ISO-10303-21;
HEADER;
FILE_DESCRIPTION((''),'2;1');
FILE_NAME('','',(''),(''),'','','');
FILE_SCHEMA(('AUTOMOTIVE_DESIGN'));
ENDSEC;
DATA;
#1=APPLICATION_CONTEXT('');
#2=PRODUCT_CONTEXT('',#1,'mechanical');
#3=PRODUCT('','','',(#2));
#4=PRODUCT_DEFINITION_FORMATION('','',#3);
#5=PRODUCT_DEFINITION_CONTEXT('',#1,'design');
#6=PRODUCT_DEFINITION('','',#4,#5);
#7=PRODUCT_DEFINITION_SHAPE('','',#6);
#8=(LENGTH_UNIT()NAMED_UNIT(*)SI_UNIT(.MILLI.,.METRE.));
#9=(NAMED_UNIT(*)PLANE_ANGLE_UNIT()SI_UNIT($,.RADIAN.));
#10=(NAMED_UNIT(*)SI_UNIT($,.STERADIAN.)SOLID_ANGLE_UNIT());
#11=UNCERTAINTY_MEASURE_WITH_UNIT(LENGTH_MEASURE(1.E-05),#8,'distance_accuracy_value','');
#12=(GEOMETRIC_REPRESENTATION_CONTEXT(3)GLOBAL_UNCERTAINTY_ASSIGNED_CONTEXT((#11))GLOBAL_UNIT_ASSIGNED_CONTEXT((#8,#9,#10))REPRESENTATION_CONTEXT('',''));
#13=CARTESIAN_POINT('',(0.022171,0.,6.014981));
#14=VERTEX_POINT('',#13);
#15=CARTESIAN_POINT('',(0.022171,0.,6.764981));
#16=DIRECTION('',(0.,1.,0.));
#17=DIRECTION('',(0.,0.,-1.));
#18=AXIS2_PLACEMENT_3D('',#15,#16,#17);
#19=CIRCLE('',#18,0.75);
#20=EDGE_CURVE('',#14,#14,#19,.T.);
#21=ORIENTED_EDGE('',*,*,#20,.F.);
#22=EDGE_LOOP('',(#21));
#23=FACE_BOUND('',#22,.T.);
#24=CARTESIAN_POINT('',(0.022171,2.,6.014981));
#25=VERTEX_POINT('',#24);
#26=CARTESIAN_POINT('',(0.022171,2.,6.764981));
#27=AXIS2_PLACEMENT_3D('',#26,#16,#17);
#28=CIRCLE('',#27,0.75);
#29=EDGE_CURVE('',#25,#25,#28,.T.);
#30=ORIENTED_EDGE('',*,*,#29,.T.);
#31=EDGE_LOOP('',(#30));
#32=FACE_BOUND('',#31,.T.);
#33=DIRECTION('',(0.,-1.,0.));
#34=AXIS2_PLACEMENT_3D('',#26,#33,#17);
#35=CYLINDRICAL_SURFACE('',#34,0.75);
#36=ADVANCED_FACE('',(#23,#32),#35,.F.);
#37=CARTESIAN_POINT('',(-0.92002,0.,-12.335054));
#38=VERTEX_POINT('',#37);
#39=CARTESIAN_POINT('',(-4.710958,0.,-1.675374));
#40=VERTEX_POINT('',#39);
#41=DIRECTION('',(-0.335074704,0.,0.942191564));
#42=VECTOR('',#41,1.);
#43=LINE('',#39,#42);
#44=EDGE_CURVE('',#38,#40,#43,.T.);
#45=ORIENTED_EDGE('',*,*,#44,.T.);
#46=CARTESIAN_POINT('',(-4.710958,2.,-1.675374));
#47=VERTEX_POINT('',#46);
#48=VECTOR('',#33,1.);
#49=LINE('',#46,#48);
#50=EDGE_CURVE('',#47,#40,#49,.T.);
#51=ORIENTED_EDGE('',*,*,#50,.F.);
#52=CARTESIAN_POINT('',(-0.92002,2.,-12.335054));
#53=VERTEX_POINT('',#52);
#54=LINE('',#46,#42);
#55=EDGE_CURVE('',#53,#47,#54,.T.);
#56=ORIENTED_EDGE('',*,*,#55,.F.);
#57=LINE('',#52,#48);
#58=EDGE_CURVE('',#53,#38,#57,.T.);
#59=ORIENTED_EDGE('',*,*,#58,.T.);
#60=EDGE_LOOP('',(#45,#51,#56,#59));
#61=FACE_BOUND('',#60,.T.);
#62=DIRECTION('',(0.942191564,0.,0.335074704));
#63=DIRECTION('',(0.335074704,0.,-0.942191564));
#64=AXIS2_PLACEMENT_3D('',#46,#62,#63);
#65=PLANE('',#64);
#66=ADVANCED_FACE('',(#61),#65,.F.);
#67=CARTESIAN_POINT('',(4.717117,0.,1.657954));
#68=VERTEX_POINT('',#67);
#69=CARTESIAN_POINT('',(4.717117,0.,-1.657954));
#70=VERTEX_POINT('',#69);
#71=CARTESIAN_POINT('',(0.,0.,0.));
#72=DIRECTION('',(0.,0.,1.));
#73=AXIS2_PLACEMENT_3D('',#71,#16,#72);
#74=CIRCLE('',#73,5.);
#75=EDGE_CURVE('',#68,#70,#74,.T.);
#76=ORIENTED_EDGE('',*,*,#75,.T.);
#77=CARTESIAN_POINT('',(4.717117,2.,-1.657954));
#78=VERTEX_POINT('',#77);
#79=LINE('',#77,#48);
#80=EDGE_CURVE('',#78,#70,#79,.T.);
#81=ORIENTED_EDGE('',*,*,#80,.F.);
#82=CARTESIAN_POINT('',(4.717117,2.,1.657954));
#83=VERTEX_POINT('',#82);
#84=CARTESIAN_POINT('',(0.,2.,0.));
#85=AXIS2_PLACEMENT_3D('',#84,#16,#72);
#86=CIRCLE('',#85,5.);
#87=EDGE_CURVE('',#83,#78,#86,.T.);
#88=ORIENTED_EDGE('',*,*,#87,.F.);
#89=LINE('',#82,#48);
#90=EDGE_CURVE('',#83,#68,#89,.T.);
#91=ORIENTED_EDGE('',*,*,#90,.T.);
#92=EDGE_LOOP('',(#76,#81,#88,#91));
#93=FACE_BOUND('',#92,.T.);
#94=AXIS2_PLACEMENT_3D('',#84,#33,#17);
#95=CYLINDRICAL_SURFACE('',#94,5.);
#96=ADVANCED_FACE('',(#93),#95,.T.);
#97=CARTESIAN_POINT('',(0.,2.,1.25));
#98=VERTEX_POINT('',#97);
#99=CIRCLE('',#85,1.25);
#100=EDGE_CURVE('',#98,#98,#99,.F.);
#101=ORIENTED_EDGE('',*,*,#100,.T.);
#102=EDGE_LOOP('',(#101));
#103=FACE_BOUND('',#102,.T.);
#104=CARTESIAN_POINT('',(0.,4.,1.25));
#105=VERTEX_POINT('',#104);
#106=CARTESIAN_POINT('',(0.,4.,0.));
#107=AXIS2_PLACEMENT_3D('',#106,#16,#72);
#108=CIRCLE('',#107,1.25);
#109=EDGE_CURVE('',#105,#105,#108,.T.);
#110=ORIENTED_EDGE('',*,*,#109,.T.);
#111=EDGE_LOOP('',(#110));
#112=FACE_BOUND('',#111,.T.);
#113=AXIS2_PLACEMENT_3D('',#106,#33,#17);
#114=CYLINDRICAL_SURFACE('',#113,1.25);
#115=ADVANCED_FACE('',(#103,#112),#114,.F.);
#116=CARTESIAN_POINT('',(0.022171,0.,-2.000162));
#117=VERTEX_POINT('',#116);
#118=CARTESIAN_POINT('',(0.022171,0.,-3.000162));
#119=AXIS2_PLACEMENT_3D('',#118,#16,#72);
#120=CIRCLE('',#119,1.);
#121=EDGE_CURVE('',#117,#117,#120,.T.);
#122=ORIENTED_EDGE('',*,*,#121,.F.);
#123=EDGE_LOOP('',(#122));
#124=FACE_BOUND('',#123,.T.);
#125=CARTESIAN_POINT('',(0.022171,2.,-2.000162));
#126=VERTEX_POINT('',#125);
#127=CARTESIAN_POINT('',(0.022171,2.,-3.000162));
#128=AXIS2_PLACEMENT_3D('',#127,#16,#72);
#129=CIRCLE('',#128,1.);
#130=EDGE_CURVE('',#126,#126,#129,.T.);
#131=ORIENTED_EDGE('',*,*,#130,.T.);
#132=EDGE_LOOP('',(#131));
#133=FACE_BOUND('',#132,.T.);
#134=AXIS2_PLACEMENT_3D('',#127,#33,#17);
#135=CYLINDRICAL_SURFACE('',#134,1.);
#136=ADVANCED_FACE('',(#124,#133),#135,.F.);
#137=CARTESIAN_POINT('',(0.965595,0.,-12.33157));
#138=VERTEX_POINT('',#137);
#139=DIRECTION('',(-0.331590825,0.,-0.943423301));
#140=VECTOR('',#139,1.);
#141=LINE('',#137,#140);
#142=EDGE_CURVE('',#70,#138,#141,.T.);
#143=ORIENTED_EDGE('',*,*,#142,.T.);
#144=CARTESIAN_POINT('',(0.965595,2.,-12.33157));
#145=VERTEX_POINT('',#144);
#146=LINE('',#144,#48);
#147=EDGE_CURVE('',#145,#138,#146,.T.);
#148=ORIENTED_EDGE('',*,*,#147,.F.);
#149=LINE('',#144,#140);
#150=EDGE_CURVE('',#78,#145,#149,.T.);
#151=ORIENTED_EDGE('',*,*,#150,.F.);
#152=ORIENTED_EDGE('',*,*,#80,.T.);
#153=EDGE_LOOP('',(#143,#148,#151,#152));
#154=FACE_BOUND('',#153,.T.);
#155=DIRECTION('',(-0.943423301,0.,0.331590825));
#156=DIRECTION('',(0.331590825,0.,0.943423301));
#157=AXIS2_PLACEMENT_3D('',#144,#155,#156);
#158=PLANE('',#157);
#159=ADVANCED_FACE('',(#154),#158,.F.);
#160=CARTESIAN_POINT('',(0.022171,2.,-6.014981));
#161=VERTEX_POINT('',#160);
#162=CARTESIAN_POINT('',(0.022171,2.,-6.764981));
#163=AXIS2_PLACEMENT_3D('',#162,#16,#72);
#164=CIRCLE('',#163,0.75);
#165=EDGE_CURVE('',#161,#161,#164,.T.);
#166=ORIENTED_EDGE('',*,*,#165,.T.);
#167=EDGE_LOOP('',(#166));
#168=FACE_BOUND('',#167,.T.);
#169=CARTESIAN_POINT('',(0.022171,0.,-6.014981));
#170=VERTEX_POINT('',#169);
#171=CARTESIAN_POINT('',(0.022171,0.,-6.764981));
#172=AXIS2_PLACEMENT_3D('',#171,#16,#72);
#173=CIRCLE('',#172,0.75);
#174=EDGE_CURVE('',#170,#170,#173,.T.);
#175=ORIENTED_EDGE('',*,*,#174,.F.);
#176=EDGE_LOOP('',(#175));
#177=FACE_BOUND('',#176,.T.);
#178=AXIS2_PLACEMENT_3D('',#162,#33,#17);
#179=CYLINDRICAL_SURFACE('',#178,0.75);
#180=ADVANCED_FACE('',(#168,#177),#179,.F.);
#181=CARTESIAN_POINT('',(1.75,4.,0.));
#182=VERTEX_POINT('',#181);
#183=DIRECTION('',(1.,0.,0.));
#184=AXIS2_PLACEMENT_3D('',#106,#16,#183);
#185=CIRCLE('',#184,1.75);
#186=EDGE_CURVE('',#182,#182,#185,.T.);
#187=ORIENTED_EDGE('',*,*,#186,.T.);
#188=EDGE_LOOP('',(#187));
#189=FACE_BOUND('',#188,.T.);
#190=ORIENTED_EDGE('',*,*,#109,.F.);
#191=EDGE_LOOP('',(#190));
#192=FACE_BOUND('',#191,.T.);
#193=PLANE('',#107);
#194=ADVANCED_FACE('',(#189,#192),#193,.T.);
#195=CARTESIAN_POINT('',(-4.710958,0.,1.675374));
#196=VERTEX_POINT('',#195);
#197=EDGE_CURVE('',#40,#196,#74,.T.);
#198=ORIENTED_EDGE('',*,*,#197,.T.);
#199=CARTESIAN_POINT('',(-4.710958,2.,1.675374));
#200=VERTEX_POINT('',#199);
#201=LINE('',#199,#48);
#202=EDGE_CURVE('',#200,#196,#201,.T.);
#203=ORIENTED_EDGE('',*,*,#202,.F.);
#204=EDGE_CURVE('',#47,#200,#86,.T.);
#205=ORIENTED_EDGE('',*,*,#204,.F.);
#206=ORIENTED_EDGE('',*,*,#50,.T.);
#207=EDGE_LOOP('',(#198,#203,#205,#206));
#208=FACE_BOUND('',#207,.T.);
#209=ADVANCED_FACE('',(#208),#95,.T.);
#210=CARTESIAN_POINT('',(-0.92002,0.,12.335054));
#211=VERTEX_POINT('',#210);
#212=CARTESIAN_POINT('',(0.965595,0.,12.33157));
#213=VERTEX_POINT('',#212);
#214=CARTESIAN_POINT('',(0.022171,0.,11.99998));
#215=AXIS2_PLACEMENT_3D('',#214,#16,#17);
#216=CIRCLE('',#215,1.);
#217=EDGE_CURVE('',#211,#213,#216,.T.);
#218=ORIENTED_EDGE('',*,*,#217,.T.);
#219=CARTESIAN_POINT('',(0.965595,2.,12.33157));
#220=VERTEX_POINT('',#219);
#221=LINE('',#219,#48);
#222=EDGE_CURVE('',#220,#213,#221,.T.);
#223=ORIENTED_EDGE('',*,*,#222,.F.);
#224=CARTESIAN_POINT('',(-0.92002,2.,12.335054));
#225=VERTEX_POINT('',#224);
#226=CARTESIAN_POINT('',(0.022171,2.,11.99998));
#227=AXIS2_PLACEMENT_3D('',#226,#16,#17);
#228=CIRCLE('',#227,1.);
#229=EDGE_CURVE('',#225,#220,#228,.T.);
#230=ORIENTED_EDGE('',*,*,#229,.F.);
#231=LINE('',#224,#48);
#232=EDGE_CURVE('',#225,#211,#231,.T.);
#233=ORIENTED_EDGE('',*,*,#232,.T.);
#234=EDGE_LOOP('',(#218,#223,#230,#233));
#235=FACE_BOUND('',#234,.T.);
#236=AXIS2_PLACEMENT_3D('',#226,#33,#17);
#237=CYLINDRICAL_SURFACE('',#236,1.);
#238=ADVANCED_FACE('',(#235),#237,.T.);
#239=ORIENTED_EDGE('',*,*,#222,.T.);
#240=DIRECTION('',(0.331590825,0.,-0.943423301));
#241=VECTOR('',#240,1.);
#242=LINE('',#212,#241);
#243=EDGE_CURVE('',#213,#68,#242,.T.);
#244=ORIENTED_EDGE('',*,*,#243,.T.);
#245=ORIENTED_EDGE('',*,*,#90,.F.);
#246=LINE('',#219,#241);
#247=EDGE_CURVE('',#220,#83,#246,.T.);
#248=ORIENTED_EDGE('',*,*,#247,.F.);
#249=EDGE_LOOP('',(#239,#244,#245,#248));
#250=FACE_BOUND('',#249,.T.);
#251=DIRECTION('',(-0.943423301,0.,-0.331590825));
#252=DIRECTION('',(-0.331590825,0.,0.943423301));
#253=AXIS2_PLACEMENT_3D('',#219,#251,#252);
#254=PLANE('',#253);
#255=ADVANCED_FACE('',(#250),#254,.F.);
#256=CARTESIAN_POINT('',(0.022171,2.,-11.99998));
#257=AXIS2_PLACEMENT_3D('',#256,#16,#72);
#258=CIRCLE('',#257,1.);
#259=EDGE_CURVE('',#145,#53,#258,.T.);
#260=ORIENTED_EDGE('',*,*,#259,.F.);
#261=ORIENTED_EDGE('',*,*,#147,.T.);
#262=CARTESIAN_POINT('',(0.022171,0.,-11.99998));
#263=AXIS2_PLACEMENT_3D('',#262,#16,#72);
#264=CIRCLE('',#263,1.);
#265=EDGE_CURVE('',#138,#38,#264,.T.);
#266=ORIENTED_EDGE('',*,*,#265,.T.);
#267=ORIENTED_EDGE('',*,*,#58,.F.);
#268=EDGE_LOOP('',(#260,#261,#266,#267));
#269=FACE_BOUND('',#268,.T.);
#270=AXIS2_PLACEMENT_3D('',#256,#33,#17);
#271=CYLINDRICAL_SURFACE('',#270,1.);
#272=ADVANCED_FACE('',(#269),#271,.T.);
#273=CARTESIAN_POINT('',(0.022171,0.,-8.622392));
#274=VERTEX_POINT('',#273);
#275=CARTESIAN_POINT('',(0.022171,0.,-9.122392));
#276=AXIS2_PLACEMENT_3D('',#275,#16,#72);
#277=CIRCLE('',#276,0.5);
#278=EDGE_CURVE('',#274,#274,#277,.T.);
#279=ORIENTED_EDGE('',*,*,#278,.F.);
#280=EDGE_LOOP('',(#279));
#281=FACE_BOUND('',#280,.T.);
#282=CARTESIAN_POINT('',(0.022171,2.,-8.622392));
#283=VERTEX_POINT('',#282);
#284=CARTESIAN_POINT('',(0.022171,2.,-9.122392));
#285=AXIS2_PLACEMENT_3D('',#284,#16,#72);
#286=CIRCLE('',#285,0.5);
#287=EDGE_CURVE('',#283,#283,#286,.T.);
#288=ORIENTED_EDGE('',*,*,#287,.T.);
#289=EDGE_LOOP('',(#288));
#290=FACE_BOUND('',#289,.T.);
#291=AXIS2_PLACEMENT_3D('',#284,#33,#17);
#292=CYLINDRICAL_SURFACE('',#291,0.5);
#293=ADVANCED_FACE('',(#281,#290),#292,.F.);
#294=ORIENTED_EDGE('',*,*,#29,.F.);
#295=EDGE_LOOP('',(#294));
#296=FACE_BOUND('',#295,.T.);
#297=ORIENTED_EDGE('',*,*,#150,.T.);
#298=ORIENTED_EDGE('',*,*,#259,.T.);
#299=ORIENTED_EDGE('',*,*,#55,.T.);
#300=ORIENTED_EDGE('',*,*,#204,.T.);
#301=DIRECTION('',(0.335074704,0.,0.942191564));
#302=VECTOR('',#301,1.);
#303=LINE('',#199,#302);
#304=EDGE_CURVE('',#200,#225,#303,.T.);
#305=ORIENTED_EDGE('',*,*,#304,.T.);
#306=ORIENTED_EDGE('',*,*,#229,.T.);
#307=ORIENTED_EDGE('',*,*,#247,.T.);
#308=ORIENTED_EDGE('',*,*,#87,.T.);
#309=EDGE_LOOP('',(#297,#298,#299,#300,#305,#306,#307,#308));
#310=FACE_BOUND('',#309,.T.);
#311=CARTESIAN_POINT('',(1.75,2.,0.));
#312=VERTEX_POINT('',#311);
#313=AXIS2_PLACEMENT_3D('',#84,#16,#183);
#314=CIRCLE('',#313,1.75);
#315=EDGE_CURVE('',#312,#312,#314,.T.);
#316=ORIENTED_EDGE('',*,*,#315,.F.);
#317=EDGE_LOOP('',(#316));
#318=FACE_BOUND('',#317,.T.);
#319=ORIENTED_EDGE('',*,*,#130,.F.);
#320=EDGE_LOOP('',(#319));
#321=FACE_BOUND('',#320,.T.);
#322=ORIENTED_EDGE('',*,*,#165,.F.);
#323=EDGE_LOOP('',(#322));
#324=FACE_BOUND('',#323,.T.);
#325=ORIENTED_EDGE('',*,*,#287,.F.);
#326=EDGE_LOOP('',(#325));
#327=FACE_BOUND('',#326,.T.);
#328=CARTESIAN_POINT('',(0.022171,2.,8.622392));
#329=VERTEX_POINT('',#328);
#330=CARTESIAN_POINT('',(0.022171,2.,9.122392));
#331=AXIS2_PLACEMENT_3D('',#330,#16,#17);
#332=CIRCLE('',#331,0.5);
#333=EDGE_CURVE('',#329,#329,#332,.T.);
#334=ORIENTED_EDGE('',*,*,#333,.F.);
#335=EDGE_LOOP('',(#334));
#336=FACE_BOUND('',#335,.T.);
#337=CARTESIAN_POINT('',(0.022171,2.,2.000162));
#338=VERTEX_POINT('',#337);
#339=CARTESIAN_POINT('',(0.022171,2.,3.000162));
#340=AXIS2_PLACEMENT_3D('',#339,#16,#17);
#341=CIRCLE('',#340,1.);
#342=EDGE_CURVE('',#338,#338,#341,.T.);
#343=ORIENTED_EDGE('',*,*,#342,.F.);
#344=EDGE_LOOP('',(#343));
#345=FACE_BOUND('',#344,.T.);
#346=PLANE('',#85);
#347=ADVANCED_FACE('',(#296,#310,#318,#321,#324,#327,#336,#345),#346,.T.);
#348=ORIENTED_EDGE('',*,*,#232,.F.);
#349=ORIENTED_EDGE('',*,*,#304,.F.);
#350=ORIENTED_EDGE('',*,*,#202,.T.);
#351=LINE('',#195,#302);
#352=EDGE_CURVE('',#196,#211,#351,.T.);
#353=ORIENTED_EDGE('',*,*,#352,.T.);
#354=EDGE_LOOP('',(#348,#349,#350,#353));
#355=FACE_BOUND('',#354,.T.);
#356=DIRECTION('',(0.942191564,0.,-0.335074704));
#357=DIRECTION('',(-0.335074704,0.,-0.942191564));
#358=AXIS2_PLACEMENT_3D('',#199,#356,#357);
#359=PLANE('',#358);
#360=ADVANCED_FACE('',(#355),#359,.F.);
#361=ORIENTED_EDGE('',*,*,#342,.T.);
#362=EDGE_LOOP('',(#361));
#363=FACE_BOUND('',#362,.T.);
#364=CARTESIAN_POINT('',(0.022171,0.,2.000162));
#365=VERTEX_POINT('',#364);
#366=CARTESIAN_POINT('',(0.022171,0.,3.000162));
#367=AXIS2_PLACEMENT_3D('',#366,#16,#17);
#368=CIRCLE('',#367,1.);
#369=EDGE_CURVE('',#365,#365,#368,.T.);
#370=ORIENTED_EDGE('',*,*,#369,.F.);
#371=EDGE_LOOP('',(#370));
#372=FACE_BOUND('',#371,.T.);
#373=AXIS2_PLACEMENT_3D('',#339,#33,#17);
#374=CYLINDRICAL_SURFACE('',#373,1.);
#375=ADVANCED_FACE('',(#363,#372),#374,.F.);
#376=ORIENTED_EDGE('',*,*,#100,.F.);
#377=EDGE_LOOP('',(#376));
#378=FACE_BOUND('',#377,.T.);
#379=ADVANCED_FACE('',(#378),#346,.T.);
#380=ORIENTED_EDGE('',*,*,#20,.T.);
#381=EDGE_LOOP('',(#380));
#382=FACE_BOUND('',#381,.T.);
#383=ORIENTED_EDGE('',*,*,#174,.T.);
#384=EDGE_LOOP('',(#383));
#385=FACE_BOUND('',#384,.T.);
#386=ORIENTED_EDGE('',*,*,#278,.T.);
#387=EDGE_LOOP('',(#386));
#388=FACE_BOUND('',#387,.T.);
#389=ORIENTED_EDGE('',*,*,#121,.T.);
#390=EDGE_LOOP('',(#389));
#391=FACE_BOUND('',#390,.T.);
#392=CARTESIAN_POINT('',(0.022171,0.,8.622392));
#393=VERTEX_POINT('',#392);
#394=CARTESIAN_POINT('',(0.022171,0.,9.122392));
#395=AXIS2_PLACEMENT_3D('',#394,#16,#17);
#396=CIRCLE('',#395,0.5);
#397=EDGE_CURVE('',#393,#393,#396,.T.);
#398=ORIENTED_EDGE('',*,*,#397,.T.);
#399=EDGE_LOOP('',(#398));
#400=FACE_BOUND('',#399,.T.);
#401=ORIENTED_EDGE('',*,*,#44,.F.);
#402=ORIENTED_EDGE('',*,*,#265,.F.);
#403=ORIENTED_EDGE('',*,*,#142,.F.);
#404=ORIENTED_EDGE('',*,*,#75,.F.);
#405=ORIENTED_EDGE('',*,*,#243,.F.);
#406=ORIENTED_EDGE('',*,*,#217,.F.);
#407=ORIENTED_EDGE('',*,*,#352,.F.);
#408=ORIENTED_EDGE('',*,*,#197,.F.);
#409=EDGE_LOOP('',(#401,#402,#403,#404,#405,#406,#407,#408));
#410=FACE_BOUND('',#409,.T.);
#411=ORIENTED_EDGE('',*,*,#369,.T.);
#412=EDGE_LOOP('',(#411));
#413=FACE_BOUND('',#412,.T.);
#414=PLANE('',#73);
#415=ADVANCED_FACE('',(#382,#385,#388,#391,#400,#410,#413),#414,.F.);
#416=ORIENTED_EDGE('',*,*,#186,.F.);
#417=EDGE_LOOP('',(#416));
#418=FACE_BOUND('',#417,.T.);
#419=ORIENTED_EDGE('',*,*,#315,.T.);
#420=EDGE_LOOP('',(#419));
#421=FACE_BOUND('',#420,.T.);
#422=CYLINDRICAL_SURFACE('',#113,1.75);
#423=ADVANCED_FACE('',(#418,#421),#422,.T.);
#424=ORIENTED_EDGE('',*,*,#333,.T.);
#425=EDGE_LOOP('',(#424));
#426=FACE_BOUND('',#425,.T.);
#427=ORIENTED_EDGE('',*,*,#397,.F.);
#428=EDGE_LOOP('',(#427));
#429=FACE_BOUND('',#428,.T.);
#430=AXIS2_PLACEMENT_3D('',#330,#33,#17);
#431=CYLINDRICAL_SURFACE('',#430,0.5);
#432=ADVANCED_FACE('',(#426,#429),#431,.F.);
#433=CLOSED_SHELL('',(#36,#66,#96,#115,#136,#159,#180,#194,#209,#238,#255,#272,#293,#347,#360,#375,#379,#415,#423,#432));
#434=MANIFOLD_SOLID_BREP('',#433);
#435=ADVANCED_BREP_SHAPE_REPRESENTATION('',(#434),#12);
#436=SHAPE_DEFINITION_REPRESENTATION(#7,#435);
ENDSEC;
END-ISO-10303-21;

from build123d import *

# Parameters (mm, degrees)
SKETCH1_R           = 0.5
SKETCH1_R_2         = 0.75
SKETCH1_R_3         = 1
BOSS_EXTRUDE1_DEPTH = 2
SKETCH2_R           = 1.75
SKETCH2_R_2         = 1.25
EXTRUDE_THIN1_DEPTH = 2


with BuildPart() as part:
    # Sketch1 → Boss-Extrude1 (new body)
    with BuildSketch(Plane(origin=(0, 0, 0), x_dir=(1, 0, 0), z_dir=(0, 1, 0))):
        with BuildLine():
            Line((-4.710957819, 1.675373519), (-0.920020296, 12.335054222))
            ThreePointArc((-0.920020296, 12.335054222), (0.024018874, 12.999977811), (0.965594569, 12.331570343))
            Line((0.965594569, 12.331570343), (4.717116505, 1.657954125))
            ThreePointArc((4.717116505, 1.657954125), (5, 0), (4.717116505, -1.657954125))
            Line((4.717116505, -1.657954125), (0.965594569, -12.331570343))
            ThreePointArc((0.965594569, -12.331570343), (0.024018874, -12.999977811), (-0.920020296, -12.335054222))
            Line((-0.920020296, -12.335054222), (-4.710957819, -1.675373519))
            ThreePointArc((-4.710957819, -1.675373519), (-5, 0), (-4.710957819, 1.675373519))
        make_face()
        with Locations(Location((0.022171268, 9.122391825, 0), (0, 0, 270))):
            Circle(SKETCH1_R, mode=Mode.SUBTRACT)
        with Locations(Location((0.022171268, 6.764981493, 0), (0, 0, 270))):
            Circle(SKETCH1_R_2, mode=Mode.SUBTRACT)
        with Locations(Location((0.022171268, 3.000162006, 0), (0, 0, 270))):
            Circle(SKETCH1_R_3, mode=Mode.SUBTRACT)
        with Locations(Location((0.022171268, -9.122391825, 0), (0, 0, 90))):
            Circle(SKETCH1_R, mode=Mode.SUBTRACT)
        with Locations(Location((0.022171268, -6.764981493, 0), (0, 0, 90))):
            Circle(SKETCH1_R_2, mode=Mode.SUBTRACT)
        with Locations(Location((0.022171268, -3.000162006, 0), (0, 0, 90))):
            Circle(SKETCH1_R_3, mode=Mode.SUBTRACT)
    extrude(amount=BOSS_EXTRUDE1_DEPTH)

    # Sketch2 → Extrude-Thin1 (add)
    with BuildSketch(Plane(origin=(0, 2, 0), x_dir=(1, 0, 0), z_dir=(0, 1, 0))):
        Circle(SKETCH2_R)
        Circle(SKETCH2_R_2, mode=Mode.SUBTRACT)
    extrude(amount=EXTRUDE_THIN1_DEPTH)


solid = part.part
